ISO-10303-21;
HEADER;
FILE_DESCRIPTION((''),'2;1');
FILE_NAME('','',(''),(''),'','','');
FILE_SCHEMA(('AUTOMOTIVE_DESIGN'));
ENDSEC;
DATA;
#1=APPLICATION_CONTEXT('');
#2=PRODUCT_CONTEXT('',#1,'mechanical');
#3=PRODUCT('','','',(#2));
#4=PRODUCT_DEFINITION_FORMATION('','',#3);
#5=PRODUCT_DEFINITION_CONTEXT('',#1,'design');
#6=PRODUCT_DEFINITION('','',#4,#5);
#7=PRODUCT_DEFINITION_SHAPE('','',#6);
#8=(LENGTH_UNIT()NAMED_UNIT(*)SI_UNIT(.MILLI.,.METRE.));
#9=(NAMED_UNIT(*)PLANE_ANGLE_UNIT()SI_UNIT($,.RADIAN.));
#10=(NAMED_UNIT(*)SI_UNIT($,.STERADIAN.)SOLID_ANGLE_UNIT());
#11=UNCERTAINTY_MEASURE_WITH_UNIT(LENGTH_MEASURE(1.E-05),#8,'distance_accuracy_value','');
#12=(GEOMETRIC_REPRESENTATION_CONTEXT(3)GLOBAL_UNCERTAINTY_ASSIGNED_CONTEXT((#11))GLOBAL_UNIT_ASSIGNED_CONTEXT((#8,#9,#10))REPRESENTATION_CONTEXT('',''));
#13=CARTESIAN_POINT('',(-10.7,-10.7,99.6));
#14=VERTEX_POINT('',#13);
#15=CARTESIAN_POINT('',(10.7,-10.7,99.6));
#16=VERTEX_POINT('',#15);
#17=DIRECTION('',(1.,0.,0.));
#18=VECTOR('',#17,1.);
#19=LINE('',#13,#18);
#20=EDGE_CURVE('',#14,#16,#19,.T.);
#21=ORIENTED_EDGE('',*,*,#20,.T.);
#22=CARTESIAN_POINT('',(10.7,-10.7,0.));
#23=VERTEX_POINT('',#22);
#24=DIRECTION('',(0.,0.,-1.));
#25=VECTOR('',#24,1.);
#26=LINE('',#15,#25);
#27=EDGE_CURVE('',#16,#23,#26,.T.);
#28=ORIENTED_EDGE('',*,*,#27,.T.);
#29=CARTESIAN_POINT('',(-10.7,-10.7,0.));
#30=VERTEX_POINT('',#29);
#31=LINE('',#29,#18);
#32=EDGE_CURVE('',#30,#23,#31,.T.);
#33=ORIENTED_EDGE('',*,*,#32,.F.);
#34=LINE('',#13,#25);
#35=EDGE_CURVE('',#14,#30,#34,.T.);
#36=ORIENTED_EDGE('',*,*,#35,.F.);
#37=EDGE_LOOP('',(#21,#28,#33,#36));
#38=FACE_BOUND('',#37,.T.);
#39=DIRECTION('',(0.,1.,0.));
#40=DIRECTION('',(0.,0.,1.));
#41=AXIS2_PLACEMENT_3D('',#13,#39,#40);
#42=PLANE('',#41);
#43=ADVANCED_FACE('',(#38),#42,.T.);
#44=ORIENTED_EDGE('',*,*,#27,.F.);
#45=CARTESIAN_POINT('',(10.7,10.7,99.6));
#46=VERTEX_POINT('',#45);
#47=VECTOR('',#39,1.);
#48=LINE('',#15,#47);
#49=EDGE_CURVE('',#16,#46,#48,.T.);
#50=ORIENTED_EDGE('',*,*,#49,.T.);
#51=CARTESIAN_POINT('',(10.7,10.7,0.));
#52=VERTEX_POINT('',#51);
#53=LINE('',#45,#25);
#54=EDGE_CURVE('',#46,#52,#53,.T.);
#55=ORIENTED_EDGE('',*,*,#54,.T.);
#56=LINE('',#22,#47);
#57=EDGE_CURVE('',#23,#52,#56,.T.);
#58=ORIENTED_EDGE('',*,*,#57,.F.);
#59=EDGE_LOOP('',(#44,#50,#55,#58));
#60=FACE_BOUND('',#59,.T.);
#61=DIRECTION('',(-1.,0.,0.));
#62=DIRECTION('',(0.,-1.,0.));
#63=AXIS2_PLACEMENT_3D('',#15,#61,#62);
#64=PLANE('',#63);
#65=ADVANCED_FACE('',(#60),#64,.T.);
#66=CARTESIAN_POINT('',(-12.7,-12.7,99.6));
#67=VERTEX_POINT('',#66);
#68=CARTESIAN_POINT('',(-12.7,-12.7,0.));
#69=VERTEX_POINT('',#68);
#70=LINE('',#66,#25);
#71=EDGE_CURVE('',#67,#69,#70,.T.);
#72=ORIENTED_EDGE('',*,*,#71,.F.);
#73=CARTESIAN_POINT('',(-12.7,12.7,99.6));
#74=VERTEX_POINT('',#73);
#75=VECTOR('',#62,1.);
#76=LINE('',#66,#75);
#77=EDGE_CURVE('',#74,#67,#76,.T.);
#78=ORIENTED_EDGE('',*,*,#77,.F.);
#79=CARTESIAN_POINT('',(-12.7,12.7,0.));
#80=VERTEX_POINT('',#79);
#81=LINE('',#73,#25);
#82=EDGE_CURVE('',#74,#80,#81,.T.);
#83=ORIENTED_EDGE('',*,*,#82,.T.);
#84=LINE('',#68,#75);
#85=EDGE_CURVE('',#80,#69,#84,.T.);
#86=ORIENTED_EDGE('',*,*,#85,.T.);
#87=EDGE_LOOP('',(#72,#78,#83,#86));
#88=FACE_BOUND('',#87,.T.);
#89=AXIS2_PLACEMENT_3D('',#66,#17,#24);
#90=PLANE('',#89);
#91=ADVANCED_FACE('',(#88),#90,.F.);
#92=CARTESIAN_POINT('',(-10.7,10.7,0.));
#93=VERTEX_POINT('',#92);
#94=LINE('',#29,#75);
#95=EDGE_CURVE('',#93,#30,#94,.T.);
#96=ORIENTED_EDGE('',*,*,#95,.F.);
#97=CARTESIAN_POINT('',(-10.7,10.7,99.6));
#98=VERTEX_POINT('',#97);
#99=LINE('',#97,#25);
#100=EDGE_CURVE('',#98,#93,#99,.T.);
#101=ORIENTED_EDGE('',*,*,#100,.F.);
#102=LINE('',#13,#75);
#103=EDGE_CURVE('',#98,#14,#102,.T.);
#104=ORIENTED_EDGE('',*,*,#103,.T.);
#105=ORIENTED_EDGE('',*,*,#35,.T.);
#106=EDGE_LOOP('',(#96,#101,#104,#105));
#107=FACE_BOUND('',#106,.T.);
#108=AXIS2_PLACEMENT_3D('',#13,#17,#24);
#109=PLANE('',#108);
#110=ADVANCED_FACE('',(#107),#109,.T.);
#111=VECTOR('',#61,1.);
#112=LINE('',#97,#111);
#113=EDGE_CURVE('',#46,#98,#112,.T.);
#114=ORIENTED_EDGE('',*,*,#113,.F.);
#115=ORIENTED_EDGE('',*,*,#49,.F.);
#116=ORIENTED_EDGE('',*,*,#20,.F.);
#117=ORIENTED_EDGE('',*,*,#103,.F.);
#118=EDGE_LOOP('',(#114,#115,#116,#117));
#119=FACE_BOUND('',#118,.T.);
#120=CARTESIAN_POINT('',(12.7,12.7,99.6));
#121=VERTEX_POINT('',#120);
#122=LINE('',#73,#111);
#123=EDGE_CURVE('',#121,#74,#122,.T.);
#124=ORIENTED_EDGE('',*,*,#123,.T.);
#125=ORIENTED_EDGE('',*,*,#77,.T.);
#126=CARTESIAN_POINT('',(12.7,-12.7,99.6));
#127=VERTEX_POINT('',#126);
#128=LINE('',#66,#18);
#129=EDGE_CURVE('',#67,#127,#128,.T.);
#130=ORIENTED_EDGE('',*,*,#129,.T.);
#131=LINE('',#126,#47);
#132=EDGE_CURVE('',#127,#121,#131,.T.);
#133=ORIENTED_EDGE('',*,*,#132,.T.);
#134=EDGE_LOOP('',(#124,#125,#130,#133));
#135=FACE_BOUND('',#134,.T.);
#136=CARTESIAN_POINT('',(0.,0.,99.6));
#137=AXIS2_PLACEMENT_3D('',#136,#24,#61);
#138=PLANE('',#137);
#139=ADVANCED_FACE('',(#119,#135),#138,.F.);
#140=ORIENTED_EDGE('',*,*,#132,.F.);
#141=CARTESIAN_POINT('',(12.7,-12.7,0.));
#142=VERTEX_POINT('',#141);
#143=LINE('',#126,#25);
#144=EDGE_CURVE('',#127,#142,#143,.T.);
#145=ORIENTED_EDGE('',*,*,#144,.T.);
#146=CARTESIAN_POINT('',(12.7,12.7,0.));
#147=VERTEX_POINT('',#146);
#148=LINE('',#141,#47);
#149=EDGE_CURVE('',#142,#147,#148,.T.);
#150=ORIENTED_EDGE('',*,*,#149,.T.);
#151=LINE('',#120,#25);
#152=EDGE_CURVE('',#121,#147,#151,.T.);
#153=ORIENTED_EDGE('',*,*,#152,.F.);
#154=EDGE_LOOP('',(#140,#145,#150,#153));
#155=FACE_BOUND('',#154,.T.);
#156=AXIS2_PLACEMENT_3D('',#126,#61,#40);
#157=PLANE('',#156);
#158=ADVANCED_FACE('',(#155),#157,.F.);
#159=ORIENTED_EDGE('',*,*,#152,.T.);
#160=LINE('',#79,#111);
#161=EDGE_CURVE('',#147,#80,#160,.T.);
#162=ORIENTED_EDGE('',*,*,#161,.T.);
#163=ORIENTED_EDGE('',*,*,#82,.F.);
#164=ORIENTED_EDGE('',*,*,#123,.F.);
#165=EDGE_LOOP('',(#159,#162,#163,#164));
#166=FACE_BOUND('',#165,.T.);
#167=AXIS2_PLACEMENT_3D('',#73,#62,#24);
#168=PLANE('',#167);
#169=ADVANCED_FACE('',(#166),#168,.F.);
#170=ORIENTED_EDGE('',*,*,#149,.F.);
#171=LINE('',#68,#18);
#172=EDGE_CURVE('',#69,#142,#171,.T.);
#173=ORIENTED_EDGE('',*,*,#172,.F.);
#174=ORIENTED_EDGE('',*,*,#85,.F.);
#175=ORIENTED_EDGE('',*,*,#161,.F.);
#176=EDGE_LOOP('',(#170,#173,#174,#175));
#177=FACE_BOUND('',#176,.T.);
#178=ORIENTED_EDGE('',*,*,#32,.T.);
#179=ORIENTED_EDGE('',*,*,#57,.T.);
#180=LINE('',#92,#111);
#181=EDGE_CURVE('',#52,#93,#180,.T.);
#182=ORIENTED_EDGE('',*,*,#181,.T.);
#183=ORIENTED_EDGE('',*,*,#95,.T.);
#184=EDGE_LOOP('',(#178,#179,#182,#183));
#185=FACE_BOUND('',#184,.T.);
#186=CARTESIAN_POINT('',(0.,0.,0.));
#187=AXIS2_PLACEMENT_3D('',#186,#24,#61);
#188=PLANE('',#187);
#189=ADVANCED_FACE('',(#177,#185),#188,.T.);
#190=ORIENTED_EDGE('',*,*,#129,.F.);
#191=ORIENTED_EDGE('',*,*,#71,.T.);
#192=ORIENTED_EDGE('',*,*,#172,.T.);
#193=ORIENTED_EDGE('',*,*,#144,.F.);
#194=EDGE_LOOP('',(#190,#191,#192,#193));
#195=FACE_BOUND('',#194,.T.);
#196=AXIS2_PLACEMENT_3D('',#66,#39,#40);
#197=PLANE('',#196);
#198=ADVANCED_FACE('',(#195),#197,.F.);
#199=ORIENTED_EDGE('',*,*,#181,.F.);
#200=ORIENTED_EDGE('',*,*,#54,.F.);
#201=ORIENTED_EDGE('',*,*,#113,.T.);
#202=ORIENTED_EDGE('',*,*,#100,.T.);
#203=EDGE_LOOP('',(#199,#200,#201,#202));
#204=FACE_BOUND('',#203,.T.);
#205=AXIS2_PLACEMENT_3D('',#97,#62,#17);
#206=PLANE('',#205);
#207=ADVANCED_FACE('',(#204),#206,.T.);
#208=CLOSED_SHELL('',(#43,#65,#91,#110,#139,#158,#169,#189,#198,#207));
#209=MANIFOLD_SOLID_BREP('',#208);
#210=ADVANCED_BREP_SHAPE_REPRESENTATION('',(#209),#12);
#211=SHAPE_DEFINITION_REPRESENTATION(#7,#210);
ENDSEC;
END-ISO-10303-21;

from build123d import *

# Parameters (mm, degrees)
SKETCH1_W           = 25.4
SKETCH1_H           = 25.4
SKETCH1_W_2         = 21.4
SKETCH1_H_2         = 21.4
BOSS_EXTRUDE1_DEPTH = 99.6


with BuildPart() as part:
    # Sketch1 → Boss-Extrude1 (new body)
    with BuildSketch(Plane.XY):
        Rectangle(SKETCH1_W, SKETCH1_H)
        Rectangle(SKETCH1_W_2, SKETCH1_H_2, mode=Mode.SUBTRACT)
    extrude(amount=BOSS_EXTRUDE1_DEPTH)


solid = part.part
